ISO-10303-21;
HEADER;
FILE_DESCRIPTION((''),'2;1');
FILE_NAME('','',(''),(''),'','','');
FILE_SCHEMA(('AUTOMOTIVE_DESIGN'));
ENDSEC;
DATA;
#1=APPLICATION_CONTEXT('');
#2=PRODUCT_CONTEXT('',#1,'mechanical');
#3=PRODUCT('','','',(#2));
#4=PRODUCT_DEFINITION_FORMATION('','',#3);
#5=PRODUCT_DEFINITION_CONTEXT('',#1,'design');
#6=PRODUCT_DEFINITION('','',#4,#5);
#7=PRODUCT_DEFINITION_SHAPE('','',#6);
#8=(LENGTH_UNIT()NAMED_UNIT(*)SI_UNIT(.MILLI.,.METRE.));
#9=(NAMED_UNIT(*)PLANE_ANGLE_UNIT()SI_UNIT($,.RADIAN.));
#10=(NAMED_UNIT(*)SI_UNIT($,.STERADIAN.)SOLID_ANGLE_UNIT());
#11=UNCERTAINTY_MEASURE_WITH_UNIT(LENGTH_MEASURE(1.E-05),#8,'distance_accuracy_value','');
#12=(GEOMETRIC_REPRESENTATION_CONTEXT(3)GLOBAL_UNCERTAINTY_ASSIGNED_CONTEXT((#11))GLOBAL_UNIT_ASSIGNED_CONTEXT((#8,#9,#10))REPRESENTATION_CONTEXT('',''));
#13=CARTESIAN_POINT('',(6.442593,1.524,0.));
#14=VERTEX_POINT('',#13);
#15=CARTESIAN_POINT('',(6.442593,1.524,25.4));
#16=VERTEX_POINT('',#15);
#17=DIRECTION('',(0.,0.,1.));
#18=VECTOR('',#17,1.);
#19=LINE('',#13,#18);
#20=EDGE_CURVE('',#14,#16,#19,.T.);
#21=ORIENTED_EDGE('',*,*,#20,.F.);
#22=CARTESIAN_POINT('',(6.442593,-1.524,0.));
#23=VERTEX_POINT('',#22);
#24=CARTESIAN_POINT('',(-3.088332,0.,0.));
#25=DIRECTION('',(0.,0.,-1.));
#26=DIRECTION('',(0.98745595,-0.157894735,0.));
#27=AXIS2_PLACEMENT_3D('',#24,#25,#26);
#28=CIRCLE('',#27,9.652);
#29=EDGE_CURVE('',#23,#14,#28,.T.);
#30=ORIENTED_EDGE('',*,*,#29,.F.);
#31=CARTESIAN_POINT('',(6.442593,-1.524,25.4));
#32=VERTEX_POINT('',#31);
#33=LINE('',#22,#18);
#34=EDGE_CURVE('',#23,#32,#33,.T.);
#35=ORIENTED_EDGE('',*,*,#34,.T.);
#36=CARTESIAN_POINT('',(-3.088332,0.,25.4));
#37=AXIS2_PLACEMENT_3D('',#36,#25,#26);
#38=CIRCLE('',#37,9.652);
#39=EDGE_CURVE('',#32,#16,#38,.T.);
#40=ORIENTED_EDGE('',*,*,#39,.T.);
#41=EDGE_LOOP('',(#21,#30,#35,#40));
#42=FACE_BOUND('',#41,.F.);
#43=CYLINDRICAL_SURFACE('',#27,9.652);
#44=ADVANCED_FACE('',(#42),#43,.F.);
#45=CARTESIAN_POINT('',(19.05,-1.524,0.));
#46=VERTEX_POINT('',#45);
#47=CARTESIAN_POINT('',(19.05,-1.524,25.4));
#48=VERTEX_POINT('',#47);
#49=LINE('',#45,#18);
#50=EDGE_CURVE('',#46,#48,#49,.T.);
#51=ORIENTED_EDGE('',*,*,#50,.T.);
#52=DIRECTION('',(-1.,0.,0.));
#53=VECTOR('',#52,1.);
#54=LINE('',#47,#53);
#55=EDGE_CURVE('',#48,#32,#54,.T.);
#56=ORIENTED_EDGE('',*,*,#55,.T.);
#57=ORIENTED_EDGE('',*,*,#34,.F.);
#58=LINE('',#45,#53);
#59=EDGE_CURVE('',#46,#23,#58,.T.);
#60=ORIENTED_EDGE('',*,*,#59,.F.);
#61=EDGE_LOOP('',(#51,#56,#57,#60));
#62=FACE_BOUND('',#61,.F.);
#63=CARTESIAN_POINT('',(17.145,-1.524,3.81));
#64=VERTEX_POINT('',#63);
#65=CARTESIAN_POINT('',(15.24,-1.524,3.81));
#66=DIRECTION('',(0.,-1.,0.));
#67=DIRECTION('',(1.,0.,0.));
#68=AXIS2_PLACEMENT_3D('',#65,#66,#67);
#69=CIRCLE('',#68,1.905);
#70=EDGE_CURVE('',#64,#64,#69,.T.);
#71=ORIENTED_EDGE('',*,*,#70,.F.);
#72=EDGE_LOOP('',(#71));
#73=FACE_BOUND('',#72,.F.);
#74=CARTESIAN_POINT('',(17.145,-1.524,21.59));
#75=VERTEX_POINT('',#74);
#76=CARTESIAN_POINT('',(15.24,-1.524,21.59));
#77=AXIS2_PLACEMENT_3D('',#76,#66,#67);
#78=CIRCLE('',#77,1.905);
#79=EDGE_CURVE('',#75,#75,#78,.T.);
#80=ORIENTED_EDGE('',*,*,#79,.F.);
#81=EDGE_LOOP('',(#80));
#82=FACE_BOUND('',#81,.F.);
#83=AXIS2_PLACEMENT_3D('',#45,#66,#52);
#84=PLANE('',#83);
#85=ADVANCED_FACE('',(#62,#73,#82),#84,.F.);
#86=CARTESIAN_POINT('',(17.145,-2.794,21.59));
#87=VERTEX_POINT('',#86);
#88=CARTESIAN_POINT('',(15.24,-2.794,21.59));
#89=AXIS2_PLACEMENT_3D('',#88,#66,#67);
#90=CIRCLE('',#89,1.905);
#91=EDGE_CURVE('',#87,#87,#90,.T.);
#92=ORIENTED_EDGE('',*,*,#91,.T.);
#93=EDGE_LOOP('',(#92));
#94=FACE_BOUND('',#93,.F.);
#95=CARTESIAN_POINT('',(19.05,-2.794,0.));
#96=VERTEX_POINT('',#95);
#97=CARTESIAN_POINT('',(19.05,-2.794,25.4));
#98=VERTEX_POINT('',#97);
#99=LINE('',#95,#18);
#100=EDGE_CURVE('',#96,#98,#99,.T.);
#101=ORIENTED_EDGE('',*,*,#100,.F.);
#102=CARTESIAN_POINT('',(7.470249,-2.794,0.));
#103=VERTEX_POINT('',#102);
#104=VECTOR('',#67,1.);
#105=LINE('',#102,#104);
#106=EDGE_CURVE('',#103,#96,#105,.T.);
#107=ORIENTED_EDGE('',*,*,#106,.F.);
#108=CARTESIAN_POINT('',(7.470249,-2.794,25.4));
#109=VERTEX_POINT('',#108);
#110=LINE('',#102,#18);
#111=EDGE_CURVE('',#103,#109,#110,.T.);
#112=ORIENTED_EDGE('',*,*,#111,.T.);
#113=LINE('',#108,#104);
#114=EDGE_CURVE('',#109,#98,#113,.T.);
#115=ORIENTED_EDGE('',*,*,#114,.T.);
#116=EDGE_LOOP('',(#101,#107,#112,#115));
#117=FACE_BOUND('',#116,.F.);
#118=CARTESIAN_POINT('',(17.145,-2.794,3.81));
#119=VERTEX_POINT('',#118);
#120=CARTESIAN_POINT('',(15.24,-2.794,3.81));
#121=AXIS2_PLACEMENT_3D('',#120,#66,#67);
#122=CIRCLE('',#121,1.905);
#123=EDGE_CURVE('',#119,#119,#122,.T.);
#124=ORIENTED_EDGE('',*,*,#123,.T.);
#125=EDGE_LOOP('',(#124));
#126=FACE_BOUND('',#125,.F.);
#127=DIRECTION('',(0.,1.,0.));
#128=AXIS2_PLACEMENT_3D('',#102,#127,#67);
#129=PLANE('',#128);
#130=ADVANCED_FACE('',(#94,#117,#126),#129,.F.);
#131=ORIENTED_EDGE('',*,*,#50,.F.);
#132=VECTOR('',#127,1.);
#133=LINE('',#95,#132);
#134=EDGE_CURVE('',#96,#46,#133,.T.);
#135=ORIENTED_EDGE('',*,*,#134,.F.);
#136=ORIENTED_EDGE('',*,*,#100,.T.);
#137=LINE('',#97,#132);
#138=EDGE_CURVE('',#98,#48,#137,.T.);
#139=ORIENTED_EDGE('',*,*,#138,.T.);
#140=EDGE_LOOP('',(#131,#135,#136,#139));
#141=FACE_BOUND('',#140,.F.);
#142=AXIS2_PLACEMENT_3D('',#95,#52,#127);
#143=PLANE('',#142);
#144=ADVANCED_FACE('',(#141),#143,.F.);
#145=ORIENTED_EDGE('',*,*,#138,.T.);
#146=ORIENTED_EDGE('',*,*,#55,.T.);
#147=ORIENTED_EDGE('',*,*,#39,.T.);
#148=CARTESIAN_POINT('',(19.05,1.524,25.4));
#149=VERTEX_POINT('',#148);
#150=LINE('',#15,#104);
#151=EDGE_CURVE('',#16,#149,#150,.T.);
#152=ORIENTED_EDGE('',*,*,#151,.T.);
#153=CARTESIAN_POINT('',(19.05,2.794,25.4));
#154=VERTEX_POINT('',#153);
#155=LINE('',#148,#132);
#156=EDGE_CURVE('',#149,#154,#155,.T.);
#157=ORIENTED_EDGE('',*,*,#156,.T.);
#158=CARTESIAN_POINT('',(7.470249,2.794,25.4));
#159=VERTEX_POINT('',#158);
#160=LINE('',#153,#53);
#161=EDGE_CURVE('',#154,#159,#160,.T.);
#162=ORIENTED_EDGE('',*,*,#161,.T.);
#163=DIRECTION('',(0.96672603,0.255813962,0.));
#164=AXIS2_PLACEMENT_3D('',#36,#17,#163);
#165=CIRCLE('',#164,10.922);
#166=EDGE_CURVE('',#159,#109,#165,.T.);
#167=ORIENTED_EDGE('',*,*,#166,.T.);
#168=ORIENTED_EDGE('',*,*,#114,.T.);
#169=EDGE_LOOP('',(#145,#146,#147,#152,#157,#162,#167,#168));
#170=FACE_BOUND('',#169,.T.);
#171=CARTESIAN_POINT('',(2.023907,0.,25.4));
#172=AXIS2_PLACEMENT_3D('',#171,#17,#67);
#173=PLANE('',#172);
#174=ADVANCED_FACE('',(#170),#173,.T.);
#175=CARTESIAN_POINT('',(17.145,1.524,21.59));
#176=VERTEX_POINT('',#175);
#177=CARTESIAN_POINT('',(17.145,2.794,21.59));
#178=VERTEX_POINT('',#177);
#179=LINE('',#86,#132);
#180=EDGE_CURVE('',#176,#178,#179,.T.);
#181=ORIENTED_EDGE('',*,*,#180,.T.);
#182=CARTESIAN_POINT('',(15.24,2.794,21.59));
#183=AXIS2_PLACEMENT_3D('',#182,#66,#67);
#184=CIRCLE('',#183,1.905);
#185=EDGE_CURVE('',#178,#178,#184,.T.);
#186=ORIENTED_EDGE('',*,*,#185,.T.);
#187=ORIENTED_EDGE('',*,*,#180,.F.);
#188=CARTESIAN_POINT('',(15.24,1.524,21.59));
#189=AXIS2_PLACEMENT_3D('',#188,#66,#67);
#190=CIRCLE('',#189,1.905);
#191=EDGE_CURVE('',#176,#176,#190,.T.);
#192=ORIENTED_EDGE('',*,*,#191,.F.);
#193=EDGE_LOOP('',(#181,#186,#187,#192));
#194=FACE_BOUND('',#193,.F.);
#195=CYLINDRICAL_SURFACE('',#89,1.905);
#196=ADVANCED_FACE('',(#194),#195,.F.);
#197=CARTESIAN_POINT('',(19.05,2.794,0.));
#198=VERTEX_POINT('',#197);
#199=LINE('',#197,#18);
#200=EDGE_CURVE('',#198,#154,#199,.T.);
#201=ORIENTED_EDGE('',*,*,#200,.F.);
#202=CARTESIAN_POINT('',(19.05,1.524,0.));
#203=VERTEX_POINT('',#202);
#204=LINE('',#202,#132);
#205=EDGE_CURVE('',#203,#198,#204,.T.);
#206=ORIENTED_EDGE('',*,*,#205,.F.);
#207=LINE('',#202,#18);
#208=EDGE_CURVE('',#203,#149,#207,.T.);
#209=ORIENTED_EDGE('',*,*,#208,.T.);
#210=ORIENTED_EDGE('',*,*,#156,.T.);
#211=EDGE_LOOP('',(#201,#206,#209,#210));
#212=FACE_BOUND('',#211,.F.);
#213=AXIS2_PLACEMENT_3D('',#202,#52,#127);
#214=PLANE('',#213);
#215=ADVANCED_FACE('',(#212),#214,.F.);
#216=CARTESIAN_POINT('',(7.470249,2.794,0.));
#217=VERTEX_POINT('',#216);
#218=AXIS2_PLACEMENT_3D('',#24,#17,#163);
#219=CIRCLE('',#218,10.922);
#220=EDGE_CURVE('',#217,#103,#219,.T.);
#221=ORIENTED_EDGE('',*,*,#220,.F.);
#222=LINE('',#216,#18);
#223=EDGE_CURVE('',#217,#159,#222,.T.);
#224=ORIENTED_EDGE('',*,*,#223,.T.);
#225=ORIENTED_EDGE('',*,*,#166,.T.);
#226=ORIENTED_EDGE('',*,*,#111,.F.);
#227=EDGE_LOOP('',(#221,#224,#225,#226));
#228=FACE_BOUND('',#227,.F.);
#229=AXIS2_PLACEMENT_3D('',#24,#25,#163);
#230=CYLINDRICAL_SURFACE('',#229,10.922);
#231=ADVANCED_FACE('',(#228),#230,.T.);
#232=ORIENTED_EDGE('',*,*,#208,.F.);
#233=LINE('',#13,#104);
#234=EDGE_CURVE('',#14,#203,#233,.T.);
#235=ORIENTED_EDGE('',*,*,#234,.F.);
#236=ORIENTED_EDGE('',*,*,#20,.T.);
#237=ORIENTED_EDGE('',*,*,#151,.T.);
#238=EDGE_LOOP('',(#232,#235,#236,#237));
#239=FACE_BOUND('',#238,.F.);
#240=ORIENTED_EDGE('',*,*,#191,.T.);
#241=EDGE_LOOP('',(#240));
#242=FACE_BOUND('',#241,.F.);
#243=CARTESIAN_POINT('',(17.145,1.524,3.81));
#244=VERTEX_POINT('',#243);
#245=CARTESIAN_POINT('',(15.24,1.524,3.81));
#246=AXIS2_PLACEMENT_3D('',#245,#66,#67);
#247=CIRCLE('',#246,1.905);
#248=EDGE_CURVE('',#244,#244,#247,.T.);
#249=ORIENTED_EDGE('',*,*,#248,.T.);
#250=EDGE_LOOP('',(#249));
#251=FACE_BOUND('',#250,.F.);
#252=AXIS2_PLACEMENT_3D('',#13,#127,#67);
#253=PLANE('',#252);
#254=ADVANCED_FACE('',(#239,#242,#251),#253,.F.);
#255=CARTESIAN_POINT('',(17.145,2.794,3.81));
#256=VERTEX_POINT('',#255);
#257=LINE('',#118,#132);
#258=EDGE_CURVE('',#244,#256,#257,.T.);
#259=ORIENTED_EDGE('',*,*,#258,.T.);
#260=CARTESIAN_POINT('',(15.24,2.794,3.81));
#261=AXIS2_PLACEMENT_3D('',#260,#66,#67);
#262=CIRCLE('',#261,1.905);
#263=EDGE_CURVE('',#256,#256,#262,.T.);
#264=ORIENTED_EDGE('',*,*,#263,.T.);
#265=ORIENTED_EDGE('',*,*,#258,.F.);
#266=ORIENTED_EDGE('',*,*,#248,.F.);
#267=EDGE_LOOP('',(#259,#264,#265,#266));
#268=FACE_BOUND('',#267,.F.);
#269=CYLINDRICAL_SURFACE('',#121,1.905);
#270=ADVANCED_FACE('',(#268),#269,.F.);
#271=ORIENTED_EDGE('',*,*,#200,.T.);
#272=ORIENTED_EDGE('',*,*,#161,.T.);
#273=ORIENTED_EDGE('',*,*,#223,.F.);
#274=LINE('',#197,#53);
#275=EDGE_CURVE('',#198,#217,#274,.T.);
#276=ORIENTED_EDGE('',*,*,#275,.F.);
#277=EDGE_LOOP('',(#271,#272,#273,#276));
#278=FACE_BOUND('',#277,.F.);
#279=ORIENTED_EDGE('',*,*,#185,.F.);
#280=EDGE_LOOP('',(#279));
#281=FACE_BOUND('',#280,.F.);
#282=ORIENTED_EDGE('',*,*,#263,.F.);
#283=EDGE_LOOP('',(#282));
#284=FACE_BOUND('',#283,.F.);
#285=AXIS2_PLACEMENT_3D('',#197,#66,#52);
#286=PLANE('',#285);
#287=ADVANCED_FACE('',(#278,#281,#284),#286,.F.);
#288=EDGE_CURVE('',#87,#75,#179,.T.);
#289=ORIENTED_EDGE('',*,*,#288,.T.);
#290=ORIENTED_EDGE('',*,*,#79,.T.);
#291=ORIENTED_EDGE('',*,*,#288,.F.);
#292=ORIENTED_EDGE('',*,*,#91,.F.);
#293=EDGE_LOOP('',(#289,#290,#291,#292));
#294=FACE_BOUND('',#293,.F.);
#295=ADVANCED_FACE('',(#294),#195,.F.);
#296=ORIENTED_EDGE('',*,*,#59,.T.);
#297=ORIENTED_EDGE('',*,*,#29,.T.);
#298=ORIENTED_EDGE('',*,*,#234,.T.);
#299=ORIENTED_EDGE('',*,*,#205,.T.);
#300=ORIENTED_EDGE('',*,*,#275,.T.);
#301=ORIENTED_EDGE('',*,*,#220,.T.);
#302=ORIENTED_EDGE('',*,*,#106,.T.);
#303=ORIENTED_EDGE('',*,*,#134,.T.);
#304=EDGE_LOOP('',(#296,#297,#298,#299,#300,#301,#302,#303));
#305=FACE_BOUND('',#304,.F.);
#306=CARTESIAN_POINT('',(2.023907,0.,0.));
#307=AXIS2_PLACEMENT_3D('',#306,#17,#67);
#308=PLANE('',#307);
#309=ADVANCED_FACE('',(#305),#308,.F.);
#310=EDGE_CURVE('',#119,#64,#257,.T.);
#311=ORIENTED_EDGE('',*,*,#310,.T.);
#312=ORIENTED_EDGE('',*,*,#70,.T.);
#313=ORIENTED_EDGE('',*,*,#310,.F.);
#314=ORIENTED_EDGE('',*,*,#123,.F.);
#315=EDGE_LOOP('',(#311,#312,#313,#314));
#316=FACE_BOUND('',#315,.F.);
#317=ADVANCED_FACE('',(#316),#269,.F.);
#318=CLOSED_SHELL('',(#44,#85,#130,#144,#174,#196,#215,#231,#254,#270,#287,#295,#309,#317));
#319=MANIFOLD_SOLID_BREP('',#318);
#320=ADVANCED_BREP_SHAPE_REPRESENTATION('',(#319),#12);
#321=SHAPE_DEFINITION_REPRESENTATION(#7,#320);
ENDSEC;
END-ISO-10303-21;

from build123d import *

# Parameters (mm, degrees)
F1_DEPTH = 25.4
F2_R     = 1.905
F3_DEPTH = 25.4


with BuildPart() as f1:
    # F0 (on Top) → F1 (new body)
    with BuildSketch(Plane.XY):
        with BuildLine():
            ThreePointArc((6.442593, -1.524), (-12.740332, 0), (6.442593, 1.524))
            Line((6.442593, 1.524), (19.05, 1.524))
            Line((19.05, 1.524), (19.05, 2.794))
            Line((19.05, 2.794), (7.470249, 2.794))
            ThreePointArc((7.470249, 2.794), (-14.010332, 0), (7.470249, -2.794))
            Line((7.470249, -2.794), (19.05, -2.794))
            Line((19.05, -2.794), (19.05, -1.524))
            Line((19.05, -1.524), (6.442593, -1.524))
        make_face()
    extrude(amount=F1_DEPTH)

    # F2 (on face) → F3 (cut)
    with BuildSketch(Plane.XZ.offset(2.794)):
        with Locations((15.24, 21.59)):
            Circle(F2_R)
        with Locations((15.24, 3.81)):
            Circle(F2_R)
    extrude(amount=-F3_DEPTH, mode=Mode.SUBTRACT)


solid = f1.part
